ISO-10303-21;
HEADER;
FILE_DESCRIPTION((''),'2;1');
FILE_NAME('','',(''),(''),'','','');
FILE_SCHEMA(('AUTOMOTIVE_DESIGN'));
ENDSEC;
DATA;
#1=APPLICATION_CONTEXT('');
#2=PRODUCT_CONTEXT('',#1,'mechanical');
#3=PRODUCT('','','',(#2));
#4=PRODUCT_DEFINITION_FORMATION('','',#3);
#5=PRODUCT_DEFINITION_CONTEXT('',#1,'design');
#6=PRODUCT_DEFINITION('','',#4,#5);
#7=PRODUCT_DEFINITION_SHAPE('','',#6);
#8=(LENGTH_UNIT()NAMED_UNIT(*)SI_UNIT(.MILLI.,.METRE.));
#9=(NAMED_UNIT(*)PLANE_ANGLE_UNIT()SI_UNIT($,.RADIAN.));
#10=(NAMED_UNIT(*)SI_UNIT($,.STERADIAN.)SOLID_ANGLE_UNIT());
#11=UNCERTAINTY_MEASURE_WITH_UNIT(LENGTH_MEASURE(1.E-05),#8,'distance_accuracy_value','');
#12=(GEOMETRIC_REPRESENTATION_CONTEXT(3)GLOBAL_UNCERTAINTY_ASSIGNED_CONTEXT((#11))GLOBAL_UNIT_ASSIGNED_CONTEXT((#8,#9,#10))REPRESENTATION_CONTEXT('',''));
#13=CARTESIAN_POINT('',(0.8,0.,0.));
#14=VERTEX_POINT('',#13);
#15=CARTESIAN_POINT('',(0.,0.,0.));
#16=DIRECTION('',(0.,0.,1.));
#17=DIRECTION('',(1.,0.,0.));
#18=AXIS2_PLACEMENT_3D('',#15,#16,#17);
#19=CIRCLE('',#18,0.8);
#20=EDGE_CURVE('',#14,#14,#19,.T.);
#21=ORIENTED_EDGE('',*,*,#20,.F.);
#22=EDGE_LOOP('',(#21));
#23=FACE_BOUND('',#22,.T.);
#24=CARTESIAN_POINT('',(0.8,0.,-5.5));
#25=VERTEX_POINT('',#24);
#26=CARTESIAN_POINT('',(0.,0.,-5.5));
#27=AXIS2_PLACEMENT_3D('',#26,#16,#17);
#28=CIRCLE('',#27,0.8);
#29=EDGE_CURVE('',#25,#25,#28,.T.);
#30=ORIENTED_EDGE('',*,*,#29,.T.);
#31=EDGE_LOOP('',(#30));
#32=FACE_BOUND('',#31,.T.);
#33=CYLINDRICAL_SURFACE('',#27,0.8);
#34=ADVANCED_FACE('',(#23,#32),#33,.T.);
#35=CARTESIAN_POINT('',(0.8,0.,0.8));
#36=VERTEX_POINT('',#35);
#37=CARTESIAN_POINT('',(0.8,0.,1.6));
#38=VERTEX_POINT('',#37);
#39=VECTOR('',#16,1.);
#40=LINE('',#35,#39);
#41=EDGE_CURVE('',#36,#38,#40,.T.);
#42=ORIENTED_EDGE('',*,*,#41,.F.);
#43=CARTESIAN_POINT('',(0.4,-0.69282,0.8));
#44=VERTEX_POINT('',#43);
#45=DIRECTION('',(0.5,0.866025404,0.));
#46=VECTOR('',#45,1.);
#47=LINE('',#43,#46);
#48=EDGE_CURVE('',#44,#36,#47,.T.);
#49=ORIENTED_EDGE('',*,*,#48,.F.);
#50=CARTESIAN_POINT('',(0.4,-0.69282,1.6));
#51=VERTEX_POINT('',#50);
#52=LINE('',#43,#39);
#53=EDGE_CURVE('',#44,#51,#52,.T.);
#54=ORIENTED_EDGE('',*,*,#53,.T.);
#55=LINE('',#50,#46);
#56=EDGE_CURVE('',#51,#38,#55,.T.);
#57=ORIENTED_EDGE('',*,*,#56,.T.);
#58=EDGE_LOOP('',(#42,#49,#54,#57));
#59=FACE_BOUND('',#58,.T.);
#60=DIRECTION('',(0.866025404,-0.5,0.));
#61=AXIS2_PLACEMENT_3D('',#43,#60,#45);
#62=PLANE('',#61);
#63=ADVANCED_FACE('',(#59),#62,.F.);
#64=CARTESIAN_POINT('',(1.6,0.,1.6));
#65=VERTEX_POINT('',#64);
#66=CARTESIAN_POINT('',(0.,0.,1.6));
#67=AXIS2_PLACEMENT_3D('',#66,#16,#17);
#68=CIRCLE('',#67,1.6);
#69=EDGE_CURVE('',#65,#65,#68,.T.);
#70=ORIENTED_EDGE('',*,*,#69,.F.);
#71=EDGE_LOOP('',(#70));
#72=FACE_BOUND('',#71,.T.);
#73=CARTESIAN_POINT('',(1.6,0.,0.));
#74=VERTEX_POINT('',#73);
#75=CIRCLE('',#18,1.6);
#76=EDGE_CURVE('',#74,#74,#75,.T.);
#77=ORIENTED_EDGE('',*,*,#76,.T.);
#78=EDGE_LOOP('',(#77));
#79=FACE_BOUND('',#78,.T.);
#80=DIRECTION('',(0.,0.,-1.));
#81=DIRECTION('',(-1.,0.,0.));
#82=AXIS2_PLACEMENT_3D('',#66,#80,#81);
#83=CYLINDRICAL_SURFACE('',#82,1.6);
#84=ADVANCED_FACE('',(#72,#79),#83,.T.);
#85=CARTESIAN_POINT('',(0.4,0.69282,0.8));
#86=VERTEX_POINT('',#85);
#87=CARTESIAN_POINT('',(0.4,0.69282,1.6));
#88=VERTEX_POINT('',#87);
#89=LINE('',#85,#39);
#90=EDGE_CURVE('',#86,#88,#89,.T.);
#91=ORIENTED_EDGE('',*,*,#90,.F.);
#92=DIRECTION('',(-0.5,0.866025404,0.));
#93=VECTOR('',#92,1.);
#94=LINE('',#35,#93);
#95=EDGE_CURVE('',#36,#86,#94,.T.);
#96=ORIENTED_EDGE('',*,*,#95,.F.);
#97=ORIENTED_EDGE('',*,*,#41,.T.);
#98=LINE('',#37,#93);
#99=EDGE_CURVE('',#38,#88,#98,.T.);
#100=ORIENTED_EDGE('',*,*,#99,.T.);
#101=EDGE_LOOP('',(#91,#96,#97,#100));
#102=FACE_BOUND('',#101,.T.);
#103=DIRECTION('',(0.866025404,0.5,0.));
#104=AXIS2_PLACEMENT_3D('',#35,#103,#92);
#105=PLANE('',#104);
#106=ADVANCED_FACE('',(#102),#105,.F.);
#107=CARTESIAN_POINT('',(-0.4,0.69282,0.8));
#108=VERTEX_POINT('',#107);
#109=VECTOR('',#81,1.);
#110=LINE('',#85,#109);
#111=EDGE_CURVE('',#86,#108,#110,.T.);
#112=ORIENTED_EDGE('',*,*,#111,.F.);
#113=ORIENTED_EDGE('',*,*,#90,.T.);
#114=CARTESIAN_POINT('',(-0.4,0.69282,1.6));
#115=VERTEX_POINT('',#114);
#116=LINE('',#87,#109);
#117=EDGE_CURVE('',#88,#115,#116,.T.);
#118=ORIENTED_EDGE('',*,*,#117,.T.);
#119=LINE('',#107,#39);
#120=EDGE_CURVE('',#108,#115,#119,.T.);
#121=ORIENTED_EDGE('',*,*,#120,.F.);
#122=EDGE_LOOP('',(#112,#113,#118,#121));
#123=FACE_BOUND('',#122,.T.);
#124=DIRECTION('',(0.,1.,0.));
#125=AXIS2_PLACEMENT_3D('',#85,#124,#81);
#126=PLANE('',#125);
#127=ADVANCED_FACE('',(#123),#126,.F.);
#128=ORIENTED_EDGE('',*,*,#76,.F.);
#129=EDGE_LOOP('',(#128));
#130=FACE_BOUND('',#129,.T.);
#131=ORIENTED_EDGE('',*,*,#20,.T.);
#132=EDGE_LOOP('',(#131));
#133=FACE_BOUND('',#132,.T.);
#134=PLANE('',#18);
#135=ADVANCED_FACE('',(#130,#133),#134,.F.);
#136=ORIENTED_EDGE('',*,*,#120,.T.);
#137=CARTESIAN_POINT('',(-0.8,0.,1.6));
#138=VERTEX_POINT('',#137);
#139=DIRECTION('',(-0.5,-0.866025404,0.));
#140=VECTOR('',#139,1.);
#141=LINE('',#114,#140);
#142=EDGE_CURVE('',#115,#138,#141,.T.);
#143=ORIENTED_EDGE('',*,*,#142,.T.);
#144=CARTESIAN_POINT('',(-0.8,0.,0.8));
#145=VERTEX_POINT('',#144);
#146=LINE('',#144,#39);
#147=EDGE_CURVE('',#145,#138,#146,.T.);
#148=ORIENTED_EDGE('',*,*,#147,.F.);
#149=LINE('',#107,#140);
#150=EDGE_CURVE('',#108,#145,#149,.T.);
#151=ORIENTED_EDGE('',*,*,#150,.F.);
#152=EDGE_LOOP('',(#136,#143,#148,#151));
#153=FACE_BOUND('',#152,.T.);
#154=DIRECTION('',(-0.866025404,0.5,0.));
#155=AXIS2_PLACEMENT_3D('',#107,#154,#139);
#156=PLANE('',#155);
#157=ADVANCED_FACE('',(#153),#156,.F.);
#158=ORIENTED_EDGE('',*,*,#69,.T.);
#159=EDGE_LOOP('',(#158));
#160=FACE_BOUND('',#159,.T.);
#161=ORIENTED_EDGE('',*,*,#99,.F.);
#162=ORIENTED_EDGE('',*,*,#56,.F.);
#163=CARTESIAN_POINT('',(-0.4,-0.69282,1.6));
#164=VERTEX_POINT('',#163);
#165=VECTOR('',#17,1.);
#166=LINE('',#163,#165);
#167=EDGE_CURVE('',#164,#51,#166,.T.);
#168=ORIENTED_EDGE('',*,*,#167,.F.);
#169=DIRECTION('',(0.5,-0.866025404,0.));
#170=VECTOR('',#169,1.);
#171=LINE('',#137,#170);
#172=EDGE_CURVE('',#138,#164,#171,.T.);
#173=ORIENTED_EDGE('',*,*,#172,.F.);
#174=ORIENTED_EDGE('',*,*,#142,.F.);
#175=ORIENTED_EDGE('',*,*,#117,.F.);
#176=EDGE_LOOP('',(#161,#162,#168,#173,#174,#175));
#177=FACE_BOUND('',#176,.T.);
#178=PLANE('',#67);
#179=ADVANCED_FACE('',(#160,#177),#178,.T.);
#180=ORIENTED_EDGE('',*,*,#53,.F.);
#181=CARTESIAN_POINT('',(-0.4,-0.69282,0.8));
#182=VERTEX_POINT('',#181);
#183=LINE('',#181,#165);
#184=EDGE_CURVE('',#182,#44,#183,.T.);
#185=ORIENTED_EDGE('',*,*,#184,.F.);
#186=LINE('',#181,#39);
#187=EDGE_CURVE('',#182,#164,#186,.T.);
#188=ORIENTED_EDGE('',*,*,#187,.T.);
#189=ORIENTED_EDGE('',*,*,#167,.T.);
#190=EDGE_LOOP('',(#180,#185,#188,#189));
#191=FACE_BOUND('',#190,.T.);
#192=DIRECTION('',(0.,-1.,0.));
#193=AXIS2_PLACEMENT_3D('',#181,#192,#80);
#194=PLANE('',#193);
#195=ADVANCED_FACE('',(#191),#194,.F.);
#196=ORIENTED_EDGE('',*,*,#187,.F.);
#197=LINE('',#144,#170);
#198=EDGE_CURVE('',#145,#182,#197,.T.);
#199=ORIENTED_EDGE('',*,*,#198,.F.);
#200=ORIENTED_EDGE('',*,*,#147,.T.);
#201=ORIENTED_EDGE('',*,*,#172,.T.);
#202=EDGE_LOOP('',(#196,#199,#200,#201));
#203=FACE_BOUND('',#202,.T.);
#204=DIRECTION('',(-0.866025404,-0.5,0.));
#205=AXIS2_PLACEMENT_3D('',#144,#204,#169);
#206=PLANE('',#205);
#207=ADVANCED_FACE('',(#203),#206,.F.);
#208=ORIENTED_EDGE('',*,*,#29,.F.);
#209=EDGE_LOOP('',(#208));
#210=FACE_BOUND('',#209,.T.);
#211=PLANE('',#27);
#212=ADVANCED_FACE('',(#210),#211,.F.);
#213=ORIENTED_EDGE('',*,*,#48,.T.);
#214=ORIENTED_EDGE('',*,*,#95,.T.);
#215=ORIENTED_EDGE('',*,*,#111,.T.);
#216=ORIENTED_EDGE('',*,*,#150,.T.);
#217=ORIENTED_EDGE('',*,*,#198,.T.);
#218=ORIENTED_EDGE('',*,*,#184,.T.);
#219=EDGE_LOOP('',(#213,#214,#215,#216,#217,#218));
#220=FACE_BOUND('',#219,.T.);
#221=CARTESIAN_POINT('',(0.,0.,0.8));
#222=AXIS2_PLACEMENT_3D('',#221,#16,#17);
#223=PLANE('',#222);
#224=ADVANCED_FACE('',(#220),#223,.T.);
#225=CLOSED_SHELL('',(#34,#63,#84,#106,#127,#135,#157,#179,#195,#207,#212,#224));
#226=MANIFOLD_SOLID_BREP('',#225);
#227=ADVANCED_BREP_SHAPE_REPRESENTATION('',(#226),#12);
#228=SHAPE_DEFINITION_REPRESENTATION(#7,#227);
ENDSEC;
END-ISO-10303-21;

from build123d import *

# Parameters (mm, degrees)
SKETCH_1_R          = 1.6
EXTRUDE_1_DEPTH     = 1.6
SKETCH_3_R          = 0.8
EXTRUDE_3_DEPTH     = 5.5
CUT_EXTRUDE_1_DEPTH = 0.8


with BuildPart() as part:
    # 草图1 → 凸台-拉伸1 (new body)
    with BuildSketch(Plane.XY):
        Circle(SKETCH_1_R)
    extrude(amount=EXTRUDE_1_DEPTH)

    # 草图3 → 凸台-拉伸3 (add)
    with BuildSketch(Plane.XY):
        Circle(SKETCH_3_R)
    extrude(amount=-EXTRUDE_3_DEPTH)

    # 草图4 → 切除-拉伸1 (cut)
    with BuildSketch(Plane.XY.offset(1.6)):
        Polygon((0.8, 0), (0.4, 0.692820323), (-0.4, 0.692820323), (-0.8, 0), (-0.4, -0.692820323), (0.4, -0.692820323), align=None)
    extrude(amount=-CUT_EXTRUDE_1_DEPTH, mode=Mode.SUBTRACT)


solid = part.part
